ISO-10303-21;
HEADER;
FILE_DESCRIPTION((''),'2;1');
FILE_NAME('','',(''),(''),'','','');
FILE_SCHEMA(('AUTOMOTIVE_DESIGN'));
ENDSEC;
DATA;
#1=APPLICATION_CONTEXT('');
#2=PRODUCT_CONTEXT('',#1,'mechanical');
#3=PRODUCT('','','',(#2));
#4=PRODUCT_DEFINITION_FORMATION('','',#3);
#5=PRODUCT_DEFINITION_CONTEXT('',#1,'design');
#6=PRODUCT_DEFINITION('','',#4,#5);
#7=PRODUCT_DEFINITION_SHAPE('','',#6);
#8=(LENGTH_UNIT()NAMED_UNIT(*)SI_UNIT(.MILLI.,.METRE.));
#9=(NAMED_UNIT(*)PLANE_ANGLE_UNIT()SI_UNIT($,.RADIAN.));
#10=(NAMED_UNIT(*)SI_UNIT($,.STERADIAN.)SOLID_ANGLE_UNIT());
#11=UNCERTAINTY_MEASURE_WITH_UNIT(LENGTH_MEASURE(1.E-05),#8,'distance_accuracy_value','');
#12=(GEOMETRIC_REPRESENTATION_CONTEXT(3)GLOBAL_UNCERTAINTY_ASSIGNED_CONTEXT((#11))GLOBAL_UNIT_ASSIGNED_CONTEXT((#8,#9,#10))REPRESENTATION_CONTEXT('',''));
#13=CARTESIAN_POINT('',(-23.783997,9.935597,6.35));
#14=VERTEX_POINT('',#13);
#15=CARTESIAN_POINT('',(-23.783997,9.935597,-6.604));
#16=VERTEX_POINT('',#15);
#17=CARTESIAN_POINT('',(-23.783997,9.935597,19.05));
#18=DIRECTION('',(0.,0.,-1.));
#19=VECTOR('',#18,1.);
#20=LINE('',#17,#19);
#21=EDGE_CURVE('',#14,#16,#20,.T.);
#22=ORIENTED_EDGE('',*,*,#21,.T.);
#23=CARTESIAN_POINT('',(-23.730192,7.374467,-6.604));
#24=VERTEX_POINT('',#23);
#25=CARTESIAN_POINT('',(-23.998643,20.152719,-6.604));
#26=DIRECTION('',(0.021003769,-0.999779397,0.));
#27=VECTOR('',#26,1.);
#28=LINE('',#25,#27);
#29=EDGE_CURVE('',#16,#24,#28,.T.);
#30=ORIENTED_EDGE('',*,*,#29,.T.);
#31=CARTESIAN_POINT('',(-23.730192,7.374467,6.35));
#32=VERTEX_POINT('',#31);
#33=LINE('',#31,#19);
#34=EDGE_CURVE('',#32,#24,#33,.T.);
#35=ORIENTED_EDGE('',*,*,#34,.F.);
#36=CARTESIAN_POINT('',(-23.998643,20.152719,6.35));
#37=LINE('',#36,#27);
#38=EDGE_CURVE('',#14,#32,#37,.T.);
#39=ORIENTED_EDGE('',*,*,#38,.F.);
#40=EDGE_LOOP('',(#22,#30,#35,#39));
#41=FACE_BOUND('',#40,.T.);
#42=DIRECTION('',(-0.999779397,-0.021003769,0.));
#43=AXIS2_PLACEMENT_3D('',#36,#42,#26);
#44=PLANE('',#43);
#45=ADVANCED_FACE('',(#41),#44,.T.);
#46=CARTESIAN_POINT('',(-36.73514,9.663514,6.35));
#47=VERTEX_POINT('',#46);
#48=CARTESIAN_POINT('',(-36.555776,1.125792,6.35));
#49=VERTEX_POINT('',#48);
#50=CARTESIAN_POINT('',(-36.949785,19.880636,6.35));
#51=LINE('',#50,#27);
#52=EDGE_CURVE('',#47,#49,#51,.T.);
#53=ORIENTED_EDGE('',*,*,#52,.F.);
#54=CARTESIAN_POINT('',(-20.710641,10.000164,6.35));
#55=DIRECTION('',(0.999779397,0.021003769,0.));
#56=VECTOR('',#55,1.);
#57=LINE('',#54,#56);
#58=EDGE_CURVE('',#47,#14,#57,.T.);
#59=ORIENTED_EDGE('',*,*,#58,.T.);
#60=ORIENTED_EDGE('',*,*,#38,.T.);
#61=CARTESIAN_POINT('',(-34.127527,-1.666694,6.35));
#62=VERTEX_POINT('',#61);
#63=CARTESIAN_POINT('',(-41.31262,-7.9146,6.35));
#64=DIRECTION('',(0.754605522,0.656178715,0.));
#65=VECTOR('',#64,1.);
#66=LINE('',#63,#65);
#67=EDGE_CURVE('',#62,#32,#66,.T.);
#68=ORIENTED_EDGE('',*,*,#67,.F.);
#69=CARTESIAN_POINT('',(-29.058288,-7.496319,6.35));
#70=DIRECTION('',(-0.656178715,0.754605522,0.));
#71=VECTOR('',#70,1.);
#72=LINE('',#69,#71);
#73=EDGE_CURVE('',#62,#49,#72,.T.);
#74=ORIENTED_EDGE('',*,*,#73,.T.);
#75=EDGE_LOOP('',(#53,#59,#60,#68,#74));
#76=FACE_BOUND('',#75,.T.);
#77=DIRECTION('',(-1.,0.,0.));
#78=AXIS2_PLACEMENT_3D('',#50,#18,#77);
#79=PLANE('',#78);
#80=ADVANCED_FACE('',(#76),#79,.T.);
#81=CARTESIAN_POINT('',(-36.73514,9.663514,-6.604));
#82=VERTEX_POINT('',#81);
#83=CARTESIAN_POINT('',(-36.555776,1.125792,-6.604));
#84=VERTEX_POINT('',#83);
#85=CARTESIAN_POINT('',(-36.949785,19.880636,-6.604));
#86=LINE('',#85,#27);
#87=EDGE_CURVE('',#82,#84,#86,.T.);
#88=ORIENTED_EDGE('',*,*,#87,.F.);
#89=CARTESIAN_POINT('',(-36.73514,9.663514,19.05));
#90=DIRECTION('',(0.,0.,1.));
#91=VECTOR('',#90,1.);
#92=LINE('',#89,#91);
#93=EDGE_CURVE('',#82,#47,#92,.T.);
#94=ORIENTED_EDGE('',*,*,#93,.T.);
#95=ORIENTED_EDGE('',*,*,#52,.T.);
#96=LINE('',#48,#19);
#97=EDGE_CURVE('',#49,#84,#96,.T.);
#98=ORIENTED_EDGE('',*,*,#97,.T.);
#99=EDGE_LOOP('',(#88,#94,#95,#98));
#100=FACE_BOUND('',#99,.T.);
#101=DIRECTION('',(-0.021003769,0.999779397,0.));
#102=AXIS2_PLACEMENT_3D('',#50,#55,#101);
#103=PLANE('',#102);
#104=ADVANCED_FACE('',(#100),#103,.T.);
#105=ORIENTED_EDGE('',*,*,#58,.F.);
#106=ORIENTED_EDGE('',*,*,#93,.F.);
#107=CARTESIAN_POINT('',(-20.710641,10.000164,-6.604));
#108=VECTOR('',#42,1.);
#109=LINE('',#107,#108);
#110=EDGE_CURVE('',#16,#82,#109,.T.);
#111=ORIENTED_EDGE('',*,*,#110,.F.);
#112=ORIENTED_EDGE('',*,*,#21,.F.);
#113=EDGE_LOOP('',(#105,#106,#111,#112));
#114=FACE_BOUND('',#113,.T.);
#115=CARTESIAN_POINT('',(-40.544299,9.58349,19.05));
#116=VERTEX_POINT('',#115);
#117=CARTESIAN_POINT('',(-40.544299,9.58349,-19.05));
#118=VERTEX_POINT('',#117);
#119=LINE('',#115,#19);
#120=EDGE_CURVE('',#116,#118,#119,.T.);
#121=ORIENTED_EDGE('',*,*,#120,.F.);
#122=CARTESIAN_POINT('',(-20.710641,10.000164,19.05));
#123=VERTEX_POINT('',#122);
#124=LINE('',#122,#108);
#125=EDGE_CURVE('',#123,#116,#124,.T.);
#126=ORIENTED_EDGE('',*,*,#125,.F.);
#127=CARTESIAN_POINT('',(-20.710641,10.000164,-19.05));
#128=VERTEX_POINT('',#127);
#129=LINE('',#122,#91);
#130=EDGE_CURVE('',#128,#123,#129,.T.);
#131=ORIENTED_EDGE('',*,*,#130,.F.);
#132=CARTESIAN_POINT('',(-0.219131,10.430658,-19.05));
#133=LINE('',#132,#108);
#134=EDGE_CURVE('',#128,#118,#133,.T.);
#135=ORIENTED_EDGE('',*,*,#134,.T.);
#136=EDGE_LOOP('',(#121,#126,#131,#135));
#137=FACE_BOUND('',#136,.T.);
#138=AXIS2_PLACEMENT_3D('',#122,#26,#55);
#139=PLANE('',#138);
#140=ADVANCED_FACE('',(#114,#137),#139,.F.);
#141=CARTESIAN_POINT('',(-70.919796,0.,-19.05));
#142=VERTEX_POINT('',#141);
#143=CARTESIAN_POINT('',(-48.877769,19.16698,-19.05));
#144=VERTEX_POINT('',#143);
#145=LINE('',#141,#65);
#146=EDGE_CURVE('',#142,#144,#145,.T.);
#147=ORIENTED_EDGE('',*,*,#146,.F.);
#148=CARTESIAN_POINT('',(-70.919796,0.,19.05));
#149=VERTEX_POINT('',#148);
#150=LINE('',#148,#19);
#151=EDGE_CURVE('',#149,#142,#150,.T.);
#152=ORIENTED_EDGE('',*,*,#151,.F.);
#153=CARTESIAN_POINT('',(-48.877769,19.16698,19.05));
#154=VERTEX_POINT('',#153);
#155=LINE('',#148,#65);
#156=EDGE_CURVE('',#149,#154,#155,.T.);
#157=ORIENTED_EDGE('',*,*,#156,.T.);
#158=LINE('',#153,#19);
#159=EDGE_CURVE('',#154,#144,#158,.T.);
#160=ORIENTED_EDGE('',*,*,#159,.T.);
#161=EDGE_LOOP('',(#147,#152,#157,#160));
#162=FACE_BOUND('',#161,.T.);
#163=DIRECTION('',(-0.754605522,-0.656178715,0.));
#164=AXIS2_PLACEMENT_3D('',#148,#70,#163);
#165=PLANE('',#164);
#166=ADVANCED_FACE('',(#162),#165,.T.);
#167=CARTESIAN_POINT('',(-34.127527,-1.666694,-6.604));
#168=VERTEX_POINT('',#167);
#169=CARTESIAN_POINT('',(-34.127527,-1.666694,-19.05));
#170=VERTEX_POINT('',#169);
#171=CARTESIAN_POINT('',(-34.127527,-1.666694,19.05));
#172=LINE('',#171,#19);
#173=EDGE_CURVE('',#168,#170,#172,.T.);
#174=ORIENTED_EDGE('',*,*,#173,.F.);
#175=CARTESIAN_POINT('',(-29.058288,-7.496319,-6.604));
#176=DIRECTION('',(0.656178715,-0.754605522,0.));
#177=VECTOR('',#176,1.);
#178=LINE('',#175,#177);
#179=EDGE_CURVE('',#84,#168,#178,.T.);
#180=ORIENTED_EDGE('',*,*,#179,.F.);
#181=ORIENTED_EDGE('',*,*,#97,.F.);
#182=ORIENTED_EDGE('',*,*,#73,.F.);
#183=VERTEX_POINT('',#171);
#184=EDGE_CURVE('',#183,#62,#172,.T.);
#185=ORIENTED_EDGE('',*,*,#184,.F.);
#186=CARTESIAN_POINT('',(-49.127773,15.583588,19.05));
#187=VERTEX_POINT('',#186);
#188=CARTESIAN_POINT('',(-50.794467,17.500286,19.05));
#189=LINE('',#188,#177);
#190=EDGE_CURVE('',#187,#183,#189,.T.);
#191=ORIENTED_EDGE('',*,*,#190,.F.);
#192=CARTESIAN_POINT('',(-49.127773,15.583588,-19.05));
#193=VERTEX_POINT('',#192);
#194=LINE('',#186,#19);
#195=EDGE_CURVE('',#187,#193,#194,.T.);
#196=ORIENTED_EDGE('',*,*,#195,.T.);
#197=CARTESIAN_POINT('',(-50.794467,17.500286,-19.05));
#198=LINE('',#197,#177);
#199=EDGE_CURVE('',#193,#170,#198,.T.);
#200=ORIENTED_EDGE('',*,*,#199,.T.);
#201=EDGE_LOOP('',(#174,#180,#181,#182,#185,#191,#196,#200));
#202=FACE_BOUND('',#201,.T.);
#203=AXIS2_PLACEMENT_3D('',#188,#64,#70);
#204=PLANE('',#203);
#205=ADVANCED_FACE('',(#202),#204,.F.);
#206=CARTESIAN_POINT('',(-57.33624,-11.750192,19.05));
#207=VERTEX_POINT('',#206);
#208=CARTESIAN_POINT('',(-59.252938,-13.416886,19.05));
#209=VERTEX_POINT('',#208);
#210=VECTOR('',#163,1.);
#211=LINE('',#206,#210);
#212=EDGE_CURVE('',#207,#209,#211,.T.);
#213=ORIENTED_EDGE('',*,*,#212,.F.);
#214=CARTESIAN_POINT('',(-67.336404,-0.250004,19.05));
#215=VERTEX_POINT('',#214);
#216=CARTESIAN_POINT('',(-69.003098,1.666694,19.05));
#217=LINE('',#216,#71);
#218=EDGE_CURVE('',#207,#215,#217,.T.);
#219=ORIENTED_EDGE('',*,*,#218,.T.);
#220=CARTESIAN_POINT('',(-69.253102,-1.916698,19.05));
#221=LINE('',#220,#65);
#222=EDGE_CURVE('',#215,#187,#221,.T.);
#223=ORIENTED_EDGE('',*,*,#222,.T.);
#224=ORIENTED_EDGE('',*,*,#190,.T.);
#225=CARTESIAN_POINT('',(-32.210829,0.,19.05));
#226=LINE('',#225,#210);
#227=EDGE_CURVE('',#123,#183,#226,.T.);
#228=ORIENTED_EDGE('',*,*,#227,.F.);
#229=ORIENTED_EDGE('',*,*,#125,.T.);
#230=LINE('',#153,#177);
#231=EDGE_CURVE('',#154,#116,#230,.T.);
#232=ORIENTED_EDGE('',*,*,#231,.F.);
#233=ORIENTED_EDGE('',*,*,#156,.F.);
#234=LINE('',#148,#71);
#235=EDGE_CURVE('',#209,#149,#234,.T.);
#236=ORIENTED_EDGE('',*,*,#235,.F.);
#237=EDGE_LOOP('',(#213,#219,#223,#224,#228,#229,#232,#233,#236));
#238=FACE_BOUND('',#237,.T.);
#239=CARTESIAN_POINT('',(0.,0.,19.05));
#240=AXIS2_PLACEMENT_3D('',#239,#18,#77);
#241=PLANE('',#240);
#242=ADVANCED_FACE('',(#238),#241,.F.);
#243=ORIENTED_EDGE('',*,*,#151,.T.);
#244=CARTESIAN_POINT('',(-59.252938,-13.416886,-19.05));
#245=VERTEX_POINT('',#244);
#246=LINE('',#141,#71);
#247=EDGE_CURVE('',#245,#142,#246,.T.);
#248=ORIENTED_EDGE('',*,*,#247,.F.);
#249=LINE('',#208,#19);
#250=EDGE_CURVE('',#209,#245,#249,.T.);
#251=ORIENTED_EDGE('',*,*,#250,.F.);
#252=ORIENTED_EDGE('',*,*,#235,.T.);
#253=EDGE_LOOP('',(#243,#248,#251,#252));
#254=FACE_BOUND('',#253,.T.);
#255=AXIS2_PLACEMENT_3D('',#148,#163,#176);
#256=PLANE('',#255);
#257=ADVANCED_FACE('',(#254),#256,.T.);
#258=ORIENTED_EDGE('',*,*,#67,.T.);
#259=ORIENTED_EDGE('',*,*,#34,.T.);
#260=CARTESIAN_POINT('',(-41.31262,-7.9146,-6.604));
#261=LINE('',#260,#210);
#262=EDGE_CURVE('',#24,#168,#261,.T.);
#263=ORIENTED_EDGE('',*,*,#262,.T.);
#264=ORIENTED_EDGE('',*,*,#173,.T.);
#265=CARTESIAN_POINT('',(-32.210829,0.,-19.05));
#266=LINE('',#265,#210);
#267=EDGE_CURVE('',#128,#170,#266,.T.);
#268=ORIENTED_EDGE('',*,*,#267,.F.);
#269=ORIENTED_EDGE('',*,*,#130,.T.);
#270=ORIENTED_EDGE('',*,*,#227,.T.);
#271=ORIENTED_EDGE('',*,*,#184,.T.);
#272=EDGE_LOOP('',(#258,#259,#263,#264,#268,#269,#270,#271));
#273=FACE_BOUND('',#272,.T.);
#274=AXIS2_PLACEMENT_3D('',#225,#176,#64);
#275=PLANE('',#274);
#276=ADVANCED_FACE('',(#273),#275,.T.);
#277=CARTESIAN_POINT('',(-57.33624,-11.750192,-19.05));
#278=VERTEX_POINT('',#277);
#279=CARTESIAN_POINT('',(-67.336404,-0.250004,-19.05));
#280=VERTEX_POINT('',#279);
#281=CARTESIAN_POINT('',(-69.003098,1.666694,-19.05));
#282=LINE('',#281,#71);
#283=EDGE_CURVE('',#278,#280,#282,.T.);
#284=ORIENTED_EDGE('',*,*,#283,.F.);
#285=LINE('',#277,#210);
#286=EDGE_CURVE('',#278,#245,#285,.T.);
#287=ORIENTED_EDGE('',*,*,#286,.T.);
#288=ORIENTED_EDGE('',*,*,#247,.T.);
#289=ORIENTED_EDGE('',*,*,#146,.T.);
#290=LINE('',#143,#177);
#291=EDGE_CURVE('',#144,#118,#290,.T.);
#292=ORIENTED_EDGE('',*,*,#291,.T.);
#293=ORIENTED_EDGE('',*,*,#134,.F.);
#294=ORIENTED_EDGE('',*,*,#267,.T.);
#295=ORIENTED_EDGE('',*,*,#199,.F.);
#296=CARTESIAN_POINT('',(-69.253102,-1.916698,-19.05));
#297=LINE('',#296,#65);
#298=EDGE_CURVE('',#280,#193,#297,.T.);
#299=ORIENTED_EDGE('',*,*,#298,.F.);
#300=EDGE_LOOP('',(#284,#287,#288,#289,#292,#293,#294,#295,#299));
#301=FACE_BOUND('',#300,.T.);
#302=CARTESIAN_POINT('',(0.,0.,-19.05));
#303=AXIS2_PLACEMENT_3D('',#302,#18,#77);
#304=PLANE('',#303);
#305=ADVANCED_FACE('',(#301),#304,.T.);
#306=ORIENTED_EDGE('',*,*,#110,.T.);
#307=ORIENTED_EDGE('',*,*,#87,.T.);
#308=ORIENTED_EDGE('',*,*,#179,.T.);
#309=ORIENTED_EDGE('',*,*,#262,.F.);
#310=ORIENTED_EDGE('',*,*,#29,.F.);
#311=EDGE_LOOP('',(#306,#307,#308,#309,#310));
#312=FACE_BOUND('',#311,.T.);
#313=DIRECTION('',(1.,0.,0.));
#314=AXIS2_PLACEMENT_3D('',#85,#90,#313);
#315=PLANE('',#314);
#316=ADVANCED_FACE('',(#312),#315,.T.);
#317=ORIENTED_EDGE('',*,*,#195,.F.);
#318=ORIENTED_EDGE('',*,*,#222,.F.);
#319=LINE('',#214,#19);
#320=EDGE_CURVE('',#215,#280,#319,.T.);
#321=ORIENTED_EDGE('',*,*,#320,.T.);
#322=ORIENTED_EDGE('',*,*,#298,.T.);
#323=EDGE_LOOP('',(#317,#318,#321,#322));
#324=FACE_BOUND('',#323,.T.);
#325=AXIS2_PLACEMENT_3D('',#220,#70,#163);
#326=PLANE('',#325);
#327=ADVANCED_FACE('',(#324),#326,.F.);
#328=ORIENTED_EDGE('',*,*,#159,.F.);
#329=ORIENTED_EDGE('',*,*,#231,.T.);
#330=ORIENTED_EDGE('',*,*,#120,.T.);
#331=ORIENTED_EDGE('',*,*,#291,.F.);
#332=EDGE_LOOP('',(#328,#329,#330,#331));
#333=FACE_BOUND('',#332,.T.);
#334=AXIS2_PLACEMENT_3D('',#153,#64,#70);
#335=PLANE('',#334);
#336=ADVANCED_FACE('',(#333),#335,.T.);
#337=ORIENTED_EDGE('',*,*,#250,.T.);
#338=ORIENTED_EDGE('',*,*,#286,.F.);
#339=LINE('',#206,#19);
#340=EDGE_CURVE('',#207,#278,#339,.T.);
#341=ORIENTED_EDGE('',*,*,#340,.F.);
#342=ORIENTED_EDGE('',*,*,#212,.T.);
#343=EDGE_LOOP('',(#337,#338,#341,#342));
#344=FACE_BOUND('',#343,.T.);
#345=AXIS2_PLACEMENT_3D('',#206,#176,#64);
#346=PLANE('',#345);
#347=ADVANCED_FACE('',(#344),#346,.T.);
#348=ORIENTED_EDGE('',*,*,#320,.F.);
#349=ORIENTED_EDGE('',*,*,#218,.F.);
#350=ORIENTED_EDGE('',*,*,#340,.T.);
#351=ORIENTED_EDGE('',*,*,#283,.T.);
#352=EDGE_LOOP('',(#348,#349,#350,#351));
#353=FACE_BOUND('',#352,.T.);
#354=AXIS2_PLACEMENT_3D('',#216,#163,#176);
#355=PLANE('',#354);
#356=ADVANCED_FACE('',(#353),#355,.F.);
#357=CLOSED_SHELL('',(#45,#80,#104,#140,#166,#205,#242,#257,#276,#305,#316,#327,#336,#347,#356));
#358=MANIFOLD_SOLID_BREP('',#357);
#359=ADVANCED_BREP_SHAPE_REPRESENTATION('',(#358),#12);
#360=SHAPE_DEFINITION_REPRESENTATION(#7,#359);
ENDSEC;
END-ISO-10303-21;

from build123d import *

# Parameters (mm, degrees)
EXTRUDE_THIN1_DEPTH            = 19.05
SKETCH8_W                      = 15.24
SKETCH8_H                      = 38.1
BOSS_EXTRUDE1_DEPTH            = 12.7
CUT_EXTRUDE1_DEPTH             = 83.853768552
CUT_EXTRUDE1_DEPTH_BACK        = 83.853768552
CUT_EXTRUDE2_REACH             = 79.008
SKETCH10_W                     = 12.954
SKETCH10_H                     = 12.954
CUT_EXTRUDE2_DIRECTION_2_DEPTH = 78.007738646


with BuildPart() as part:
    # Sketch1 → Extrude-Thin1 (new, symmetric)
    with BuildSketch(Plane.XY):
        Polygon((-59.25293848, -13.416886184), (-70.919796031, 0), (-48.877768729, 19.166980263), (-32.21082937, 0), (-34.127527396, -1.666693936), (-49.127772819, 15.583588301), (-67.336404069, -0.25000409), (-57.336240454, -11.750192248), align=None)
    extrude(amount=EXTRUDE_THIN1_DEPTH, both=True)

    # Sketch8 → Boss-Extrude1 (add)
    with BuildSketch(Plane(origin=(-13.869033098, 15.949388063, 0), x_dir=(0.7546055221635044, 0.656178714924787, 0), z_dir=(0.656178714924787, -0.7546055221635044, 0))):
        with Locations((-16.686469716, 0)):
            Rectangle(SKETCH8_W, SKETCH8_H)
    extrude(amount=-BOSS_EXTRUDE1_DEPTH)

    # Sketch9 → Cut-Extrude1 (cut, two sides: drawn at the far end of the back side and taken through both)
    with BuildSketch(Plane(origin=(0, 0, -19.05), x_dir=(-1, 0, 0), z_dir=(0, 0, -1)).offset(-CUT_EXTRUDE1_DEPTH_BACK)):
        Polygon((20.710641212, 10.000163615), (40.544299049, 9.583490131), (29.044110892, 19.583653747), align=None)
    extrude(amount=CUT_EXTRUDE1_DEPTH + CUT_EXTRUDE1_DEPTH_BACK, mode=Mode.SUBTRACT)

    # Sketch10 → Cut-Extrude2 (cut, up to next)
    with BuildSketch(Plane(origin=(-0.21913146, 10.430657518, 0), x_dir=(0.9997793965144279, 0.02100376883433655, 0), z_dir=(-0.02100376883433655, 0.9997793965144279, 0)), mode=Mode.PRIVATE) as cut_extrude2_sk1:
        with Locations((-30.047065424, 0.127)):
            Rectangle(SKETCH10_W, SKETCH10_H)
    cut_extrude2_tool1 = extrude(cut_extrude2_sk1.sketch, amount=-CUT_EXTRUDE2_REACH, mode=Mode.PRIVATE) & part.part
    add(cut_extrude2_tool1.solids().sort_by_distance((-30.259568, 9.799556, -0.127))[0], mode=Mode.SUBTRACT)

    # Sketch10 → Cut-Extrude2 direction 2 (cut)
    with BuildSketch(Plane(origin=(-0.21913146, 10.430657518, 0), x_dir=(0.9997793965144279, 0.02100376883433655, 0), z_dir=(-0.02100376883433655, 0.9997793965144279, 0))):
        with Locations((-30.047065424, 0.127)):
            Rectangle(SKETCH10_W, SKETCH10_H)
    extrude(amount=CUT_EXTRUDE2_DIRECTION_2_DEPTH, mode=Mode.SUBTRACT)


solid = part.part
